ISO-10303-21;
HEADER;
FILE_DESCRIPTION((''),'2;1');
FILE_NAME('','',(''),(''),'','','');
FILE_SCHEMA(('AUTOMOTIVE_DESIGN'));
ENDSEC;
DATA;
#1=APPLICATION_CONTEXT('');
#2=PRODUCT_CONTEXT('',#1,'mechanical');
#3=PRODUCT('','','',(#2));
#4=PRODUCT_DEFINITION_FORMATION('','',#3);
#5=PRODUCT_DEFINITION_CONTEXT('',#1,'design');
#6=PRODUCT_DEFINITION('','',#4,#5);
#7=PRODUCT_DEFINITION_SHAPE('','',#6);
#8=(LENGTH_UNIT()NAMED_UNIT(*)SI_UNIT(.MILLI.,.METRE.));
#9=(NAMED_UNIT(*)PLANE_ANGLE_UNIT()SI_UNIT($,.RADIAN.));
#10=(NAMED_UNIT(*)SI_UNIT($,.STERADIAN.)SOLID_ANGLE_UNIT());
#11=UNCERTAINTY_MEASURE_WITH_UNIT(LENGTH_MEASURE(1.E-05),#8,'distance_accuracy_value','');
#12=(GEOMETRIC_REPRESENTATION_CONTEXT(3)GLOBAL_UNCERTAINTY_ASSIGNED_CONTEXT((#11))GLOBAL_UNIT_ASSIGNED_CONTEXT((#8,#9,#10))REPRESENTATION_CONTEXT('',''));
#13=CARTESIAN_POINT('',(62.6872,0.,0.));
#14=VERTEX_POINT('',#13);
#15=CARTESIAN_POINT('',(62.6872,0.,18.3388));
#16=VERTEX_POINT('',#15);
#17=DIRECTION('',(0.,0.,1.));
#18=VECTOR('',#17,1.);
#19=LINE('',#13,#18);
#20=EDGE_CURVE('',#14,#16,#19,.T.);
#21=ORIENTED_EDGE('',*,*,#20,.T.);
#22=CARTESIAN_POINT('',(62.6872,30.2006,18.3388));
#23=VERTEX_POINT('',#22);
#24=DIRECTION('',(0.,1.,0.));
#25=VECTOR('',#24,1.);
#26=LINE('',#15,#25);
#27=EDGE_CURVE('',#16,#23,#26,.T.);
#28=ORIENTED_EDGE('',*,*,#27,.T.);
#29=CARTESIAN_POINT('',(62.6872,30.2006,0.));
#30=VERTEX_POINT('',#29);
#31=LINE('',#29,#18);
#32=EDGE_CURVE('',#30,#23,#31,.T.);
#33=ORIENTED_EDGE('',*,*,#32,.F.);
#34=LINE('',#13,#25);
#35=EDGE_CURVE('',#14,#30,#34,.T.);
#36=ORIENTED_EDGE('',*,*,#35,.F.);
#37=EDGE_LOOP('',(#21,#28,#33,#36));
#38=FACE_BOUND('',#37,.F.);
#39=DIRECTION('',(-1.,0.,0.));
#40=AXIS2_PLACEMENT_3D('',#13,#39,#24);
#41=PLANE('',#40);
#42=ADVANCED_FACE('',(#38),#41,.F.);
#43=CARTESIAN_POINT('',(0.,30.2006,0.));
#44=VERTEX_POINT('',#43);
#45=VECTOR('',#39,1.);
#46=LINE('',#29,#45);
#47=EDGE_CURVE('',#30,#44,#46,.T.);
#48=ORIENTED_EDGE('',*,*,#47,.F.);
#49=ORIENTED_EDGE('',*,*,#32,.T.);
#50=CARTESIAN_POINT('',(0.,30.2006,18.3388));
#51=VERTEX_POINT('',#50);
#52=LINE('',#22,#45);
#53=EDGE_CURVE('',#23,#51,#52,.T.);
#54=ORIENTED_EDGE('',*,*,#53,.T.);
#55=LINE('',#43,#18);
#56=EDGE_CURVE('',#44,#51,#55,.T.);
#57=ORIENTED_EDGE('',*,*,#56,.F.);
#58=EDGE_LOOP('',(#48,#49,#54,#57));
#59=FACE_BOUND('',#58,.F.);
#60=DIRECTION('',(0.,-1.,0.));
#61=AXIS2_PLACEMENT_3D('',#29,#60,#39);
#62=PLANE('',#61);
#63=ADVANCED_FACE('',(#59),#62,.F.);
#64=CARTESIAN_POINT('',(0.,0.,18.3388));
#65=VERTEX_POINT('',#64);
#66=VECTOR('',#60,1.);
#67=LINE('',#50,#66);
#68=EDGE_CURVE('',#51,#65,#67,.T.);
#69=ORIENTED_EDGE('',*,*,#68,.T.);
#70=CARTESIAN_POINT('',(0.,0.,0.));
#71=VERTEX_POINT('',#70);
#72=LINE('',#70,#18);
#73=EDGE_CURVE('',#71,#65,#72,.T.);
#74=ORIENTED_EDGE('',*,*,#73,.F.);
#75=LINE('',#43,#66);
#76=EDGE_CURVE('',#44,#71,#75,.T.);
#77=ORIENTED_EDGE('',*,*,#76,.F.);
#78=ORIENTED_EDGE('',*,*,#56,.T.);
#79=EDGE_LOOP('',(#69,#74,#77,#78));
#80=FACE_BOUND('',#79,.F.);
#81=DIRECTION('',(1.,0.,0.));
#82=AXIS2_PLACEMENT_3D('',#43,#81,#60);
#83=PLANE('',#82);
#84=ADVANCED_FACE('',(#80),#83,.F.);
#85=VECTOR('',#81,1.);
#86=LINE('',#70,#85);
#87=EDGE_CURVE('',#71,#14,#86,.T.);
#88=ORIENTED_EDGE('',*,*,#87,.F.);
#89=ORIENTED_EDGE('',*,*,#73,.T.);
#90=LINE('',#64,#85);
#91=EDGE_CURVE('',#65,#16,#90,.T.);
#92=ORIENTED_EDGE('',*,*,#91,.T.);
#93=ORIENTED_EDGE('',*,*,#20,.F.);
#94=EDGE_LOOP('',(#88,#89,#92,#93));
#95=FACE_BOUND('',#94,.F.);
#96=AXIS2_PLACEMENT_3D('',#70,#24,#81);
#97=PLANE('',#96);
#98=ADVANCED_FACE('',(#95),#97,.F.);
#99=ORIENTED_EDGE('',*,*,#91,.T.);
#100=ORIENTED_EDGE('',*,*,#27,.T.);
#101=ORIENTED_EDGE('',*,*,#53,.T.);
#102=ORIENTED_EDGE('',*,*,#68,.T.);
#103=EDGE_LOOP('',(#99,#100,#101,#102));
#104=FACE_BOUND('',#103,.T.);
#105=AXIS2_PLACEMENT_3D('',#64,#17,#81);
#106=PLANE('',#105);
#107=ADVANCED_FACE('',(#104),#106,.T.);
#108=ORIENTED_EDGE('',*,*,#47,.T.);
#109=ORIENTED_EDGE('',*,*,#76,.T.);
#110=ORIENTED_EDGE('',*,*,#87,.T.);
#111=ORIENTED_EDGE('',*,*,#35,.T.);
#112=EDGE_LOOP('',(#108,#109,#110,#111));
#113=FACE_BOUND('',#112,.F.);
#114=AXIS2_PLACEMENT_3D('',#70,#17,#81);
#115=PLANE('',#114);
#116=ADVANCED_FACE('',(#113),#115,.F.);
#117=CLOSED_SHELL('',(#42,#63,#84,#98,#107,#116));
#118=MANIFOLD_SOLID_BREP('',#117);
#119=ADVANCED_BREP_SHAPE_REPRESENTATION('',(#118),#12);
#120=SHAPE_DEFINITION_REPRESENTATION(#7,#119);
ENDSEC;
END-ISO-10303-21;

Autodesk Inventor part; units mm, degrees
ref_plane "YZ Plane" through (0, 0, 0) normal (1, 0, 0) x (0, 1, 0)
ref_plane "XZ Plane" through (0, 0, 0) normal (0, 1, 0) x (-1, 0, 0)
ref_plane "XY Plane" through (0, 0, 0) normal (0, 0, 1) x (1, 0, 0)
sketch "Sketch1" plane through (0, 0, 0) normal (0, 0, 1) x (1, 0, 0)
  line L0 (0, 0) -> (62.6872, 0)
  line L1 (62.6872, 0) -> (62.6872, 30.2006)
  line L2 (62.6872, 30.2006) -> (0, 30.2006)
  line L3 (0, 30.2006) -> (0, 0)
  dimension "d0" = 30.2006
  dimension "d1" = 62.6872
extrude "Extrusion1" add sketch "Sketch1" along normal blind 18.3388
properties part number "Battery"
